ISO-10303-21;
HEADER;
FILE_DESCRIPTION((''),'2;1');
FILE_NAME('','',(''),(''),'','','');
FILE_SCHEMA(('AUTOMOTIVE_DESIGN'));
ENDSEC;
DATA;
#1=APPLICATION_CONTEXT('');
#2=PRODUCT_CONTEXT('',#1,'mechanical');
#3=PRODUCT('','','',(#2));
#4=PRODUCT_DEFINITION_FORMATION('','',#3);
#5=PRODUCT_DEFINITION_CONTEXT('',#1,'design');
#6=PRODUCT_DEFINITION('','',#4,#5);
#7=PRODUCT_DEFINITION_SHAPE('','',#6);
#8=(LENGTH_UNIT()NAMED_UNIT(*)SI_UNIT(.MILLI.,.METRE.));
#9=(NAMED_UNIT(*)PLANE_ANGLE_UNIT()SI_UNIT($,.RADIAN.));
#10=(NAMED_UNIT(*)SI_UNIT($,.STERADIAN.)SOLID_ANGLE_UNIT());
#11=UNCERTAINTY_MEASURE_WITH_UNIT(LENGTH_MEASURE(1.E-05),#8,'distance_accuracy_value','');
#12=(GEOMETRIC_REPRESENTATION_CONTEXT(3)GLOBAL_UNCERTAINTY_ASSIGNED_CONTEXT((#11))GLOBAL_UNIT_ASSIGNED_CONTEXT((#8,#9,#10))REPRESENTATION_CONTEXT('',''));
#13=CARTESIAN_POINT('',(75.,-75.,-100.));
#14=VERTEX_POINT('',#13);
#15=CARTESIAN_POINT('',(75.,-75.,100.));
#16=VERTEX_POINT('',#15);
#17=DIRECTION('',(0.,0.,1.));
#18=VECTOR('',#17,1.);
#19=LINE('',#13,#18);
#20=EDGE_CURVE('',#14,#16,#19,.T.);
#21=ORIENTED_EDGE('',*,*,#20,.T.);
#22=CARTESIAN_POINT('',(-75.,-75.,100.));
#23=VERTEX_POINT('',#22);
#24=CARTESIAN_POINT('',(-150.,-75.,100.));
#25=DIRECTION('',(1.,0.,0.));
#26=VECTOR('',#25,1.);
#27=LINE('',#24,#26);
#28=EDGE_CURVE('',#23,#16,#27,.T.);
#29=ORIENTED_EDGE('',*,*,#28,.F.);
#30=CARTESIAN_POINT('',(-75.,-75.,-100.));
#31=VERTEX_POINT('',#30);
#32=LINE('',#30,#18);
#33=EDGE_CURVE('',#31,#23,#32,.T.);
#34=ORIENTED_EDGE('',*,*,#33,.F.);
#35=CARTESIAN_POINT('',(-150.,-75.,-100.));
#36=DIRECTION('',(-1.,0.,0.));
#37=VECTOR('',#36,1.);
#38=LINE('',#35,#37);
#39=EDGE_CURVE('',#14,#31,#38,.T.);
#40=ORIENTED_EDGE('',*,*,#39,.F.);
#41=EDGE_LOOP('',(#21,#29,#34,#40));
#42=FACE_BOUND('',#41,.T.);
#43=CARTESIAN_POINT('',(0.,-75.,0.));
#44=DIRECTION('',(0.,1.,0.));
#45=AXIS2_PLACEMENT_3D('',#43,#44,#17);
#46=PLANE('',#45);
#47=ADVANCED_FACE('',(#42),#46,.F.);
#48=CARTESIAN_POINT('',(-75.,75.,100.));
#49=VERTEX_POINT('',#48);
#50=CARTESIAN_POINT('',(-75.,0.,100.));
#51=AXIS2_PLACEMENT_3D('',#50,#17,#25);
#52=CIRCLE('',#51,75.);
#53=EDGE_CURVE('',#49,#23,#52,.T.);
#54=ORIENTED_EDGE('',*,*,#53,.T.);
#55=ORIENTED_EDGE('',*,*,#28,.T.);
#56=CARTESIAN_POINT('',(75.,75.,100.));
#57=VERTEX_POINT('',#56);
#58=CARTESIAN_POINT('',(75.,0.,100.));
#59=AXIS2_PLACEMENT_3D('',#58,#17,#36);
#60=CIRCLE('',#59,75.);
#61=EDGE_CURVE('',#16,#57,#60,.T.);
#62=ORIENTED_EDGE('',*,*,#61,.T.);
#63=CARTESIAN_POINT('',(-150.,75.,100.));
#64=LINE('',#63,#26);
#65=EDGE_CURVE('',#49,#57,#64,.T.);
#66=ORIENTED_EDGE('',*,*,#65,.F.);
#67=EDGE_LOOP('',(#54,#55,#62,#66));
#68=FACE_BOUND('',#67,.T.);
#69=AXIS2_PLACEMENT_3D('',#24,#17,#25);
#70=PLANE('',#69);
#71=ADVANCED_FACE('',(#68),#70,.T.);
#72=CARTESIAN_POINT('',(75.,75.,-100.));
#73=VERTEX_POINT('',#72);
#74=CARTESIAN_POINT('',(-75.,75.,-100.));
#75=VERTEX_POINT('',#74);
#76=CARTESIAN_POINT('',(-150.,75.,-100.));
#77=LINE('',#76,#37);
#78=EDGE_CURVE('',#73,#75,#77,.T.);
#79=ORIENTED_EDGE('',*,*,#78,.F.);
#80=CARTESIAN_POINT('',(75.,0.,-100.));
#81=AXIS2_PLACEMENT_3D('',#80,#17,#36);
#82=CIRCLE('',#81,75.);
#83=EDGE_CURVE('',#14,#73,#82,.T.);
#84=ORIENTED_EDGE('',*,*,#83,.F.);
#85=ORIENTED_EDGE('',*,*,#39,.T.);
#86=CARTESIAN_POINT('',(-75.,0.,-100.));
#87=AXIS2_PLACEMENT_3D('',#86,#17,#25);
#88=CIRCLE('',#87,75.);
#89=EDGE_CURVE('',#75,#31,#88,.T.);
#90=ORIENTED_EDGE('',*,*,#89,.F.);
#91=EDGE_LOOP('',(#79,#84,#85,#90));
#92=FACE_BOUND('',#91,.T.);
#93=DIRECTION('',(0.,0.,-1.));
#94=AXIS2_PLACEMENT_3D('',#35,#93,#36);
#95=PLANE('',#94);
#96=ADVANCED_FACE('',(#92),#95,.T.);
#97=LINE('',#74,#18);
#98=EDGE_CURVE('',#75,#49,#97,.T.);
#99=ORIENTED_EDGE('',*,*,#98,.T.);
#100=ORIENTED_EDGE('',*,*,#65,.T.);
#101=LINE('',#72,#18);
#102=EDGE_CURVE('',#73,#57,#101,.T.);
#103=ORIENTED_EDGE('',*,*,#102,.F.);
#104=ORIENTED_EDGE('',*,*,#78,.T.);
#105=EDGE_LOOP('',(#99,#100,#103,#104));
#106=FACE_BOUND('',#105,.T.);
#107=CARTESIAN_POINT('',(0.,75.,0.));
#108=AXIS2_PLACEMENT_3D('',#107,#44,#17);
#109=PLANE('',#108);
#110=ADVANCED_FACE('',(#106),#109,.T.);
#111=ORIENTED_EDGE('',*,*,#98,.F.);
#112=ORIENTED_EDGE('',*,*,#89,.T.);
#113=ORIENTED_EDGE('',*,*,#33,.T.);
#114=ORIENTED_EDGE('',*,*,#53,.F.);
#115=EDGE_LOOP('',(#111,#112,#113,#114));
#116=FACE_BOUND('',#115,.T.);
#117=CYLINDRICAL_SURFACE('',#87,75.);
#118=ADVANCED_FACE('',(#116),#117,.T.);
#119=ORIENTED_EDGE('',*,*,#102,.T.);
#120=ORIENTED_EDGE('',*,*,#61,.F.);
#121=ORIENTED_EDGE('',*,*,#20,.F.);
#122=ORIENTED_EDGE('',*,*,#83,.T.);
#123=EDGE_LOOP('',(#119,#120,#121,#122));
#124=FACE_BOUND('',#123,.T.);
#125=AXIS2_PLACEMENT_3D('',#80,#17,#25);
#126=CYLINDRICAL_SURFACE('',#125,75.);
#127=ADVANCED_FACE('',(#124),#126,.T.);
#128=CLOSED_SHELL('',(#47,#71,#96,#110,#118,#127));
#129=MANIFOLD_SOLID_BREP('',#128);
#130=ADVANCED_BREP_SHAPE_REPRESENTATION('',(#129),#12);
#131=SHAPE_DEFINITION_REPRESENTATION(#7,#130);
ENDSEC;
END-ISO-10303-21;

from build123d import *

# Parameters (mm, degrees)
EXTRUDE_1_DEPTH          = 75
EXTRUDE_1_DEPTH_BACK     = 75
SKETCH_1_W               = 300
SKETCH_1_H               = 200
CUT_EXTRUDE_2_DEPTH      = 196.256241898
CUT_EXTRUDE_2_DEPTH_BACK = 196.256241898
SKETCH_2_OUTSIDE_W       = 380.102
SKETCH_2_OUTSIDE_H       = 230.102


with BuildPart() as part:
    # 草图1 → 凸台-拉伸1 (new, two sides: drawn at the far end of the back side and taken through both)
    with BuildSketch(Plane(origin=(0, 0, 0), x_dir=(1, 0, 0), z_dir=(0, 1, 0)).offset(-EXTRUDE_1_DEPTH_BACK)):
        Rectangle(SKETCH_1_W, SKETCH_1_H)
    extrude(amount=EXTRUDE_1_DEPTH + EXTRUDE_1_DEPTH_BACK)

    # 草图2 outside → 切除-拉伸2 (cut, two sides: drawn at the far end of the back side and taken through both)
    with BuildSketch(Plane.XY.offset(-CUT_EXTRUDE_2_DEPTH_BACK)):
        Rectangle(SKETCH_2_OUTSIDE_W, SKETCH_2_OUTSIDE_H)
        with BuildLine():
            Line((-75, 75), (75, 75))
            ThreePointArc((75, 75), (150, 0), (75, -75))
            Line((75, -75), (-75, -75))
            ThreePointArc((-75, -75), (-150, 0), (-75, 75))
        make_face(mode=Mode.SUBTRACT)
    extrude(amount=CUT_EXTRUDE_2_DEPTH + CUT_EXTRUDE_2_DEPTH_BACK, mode=Mode.SUBTRACT)


solid = part.part
